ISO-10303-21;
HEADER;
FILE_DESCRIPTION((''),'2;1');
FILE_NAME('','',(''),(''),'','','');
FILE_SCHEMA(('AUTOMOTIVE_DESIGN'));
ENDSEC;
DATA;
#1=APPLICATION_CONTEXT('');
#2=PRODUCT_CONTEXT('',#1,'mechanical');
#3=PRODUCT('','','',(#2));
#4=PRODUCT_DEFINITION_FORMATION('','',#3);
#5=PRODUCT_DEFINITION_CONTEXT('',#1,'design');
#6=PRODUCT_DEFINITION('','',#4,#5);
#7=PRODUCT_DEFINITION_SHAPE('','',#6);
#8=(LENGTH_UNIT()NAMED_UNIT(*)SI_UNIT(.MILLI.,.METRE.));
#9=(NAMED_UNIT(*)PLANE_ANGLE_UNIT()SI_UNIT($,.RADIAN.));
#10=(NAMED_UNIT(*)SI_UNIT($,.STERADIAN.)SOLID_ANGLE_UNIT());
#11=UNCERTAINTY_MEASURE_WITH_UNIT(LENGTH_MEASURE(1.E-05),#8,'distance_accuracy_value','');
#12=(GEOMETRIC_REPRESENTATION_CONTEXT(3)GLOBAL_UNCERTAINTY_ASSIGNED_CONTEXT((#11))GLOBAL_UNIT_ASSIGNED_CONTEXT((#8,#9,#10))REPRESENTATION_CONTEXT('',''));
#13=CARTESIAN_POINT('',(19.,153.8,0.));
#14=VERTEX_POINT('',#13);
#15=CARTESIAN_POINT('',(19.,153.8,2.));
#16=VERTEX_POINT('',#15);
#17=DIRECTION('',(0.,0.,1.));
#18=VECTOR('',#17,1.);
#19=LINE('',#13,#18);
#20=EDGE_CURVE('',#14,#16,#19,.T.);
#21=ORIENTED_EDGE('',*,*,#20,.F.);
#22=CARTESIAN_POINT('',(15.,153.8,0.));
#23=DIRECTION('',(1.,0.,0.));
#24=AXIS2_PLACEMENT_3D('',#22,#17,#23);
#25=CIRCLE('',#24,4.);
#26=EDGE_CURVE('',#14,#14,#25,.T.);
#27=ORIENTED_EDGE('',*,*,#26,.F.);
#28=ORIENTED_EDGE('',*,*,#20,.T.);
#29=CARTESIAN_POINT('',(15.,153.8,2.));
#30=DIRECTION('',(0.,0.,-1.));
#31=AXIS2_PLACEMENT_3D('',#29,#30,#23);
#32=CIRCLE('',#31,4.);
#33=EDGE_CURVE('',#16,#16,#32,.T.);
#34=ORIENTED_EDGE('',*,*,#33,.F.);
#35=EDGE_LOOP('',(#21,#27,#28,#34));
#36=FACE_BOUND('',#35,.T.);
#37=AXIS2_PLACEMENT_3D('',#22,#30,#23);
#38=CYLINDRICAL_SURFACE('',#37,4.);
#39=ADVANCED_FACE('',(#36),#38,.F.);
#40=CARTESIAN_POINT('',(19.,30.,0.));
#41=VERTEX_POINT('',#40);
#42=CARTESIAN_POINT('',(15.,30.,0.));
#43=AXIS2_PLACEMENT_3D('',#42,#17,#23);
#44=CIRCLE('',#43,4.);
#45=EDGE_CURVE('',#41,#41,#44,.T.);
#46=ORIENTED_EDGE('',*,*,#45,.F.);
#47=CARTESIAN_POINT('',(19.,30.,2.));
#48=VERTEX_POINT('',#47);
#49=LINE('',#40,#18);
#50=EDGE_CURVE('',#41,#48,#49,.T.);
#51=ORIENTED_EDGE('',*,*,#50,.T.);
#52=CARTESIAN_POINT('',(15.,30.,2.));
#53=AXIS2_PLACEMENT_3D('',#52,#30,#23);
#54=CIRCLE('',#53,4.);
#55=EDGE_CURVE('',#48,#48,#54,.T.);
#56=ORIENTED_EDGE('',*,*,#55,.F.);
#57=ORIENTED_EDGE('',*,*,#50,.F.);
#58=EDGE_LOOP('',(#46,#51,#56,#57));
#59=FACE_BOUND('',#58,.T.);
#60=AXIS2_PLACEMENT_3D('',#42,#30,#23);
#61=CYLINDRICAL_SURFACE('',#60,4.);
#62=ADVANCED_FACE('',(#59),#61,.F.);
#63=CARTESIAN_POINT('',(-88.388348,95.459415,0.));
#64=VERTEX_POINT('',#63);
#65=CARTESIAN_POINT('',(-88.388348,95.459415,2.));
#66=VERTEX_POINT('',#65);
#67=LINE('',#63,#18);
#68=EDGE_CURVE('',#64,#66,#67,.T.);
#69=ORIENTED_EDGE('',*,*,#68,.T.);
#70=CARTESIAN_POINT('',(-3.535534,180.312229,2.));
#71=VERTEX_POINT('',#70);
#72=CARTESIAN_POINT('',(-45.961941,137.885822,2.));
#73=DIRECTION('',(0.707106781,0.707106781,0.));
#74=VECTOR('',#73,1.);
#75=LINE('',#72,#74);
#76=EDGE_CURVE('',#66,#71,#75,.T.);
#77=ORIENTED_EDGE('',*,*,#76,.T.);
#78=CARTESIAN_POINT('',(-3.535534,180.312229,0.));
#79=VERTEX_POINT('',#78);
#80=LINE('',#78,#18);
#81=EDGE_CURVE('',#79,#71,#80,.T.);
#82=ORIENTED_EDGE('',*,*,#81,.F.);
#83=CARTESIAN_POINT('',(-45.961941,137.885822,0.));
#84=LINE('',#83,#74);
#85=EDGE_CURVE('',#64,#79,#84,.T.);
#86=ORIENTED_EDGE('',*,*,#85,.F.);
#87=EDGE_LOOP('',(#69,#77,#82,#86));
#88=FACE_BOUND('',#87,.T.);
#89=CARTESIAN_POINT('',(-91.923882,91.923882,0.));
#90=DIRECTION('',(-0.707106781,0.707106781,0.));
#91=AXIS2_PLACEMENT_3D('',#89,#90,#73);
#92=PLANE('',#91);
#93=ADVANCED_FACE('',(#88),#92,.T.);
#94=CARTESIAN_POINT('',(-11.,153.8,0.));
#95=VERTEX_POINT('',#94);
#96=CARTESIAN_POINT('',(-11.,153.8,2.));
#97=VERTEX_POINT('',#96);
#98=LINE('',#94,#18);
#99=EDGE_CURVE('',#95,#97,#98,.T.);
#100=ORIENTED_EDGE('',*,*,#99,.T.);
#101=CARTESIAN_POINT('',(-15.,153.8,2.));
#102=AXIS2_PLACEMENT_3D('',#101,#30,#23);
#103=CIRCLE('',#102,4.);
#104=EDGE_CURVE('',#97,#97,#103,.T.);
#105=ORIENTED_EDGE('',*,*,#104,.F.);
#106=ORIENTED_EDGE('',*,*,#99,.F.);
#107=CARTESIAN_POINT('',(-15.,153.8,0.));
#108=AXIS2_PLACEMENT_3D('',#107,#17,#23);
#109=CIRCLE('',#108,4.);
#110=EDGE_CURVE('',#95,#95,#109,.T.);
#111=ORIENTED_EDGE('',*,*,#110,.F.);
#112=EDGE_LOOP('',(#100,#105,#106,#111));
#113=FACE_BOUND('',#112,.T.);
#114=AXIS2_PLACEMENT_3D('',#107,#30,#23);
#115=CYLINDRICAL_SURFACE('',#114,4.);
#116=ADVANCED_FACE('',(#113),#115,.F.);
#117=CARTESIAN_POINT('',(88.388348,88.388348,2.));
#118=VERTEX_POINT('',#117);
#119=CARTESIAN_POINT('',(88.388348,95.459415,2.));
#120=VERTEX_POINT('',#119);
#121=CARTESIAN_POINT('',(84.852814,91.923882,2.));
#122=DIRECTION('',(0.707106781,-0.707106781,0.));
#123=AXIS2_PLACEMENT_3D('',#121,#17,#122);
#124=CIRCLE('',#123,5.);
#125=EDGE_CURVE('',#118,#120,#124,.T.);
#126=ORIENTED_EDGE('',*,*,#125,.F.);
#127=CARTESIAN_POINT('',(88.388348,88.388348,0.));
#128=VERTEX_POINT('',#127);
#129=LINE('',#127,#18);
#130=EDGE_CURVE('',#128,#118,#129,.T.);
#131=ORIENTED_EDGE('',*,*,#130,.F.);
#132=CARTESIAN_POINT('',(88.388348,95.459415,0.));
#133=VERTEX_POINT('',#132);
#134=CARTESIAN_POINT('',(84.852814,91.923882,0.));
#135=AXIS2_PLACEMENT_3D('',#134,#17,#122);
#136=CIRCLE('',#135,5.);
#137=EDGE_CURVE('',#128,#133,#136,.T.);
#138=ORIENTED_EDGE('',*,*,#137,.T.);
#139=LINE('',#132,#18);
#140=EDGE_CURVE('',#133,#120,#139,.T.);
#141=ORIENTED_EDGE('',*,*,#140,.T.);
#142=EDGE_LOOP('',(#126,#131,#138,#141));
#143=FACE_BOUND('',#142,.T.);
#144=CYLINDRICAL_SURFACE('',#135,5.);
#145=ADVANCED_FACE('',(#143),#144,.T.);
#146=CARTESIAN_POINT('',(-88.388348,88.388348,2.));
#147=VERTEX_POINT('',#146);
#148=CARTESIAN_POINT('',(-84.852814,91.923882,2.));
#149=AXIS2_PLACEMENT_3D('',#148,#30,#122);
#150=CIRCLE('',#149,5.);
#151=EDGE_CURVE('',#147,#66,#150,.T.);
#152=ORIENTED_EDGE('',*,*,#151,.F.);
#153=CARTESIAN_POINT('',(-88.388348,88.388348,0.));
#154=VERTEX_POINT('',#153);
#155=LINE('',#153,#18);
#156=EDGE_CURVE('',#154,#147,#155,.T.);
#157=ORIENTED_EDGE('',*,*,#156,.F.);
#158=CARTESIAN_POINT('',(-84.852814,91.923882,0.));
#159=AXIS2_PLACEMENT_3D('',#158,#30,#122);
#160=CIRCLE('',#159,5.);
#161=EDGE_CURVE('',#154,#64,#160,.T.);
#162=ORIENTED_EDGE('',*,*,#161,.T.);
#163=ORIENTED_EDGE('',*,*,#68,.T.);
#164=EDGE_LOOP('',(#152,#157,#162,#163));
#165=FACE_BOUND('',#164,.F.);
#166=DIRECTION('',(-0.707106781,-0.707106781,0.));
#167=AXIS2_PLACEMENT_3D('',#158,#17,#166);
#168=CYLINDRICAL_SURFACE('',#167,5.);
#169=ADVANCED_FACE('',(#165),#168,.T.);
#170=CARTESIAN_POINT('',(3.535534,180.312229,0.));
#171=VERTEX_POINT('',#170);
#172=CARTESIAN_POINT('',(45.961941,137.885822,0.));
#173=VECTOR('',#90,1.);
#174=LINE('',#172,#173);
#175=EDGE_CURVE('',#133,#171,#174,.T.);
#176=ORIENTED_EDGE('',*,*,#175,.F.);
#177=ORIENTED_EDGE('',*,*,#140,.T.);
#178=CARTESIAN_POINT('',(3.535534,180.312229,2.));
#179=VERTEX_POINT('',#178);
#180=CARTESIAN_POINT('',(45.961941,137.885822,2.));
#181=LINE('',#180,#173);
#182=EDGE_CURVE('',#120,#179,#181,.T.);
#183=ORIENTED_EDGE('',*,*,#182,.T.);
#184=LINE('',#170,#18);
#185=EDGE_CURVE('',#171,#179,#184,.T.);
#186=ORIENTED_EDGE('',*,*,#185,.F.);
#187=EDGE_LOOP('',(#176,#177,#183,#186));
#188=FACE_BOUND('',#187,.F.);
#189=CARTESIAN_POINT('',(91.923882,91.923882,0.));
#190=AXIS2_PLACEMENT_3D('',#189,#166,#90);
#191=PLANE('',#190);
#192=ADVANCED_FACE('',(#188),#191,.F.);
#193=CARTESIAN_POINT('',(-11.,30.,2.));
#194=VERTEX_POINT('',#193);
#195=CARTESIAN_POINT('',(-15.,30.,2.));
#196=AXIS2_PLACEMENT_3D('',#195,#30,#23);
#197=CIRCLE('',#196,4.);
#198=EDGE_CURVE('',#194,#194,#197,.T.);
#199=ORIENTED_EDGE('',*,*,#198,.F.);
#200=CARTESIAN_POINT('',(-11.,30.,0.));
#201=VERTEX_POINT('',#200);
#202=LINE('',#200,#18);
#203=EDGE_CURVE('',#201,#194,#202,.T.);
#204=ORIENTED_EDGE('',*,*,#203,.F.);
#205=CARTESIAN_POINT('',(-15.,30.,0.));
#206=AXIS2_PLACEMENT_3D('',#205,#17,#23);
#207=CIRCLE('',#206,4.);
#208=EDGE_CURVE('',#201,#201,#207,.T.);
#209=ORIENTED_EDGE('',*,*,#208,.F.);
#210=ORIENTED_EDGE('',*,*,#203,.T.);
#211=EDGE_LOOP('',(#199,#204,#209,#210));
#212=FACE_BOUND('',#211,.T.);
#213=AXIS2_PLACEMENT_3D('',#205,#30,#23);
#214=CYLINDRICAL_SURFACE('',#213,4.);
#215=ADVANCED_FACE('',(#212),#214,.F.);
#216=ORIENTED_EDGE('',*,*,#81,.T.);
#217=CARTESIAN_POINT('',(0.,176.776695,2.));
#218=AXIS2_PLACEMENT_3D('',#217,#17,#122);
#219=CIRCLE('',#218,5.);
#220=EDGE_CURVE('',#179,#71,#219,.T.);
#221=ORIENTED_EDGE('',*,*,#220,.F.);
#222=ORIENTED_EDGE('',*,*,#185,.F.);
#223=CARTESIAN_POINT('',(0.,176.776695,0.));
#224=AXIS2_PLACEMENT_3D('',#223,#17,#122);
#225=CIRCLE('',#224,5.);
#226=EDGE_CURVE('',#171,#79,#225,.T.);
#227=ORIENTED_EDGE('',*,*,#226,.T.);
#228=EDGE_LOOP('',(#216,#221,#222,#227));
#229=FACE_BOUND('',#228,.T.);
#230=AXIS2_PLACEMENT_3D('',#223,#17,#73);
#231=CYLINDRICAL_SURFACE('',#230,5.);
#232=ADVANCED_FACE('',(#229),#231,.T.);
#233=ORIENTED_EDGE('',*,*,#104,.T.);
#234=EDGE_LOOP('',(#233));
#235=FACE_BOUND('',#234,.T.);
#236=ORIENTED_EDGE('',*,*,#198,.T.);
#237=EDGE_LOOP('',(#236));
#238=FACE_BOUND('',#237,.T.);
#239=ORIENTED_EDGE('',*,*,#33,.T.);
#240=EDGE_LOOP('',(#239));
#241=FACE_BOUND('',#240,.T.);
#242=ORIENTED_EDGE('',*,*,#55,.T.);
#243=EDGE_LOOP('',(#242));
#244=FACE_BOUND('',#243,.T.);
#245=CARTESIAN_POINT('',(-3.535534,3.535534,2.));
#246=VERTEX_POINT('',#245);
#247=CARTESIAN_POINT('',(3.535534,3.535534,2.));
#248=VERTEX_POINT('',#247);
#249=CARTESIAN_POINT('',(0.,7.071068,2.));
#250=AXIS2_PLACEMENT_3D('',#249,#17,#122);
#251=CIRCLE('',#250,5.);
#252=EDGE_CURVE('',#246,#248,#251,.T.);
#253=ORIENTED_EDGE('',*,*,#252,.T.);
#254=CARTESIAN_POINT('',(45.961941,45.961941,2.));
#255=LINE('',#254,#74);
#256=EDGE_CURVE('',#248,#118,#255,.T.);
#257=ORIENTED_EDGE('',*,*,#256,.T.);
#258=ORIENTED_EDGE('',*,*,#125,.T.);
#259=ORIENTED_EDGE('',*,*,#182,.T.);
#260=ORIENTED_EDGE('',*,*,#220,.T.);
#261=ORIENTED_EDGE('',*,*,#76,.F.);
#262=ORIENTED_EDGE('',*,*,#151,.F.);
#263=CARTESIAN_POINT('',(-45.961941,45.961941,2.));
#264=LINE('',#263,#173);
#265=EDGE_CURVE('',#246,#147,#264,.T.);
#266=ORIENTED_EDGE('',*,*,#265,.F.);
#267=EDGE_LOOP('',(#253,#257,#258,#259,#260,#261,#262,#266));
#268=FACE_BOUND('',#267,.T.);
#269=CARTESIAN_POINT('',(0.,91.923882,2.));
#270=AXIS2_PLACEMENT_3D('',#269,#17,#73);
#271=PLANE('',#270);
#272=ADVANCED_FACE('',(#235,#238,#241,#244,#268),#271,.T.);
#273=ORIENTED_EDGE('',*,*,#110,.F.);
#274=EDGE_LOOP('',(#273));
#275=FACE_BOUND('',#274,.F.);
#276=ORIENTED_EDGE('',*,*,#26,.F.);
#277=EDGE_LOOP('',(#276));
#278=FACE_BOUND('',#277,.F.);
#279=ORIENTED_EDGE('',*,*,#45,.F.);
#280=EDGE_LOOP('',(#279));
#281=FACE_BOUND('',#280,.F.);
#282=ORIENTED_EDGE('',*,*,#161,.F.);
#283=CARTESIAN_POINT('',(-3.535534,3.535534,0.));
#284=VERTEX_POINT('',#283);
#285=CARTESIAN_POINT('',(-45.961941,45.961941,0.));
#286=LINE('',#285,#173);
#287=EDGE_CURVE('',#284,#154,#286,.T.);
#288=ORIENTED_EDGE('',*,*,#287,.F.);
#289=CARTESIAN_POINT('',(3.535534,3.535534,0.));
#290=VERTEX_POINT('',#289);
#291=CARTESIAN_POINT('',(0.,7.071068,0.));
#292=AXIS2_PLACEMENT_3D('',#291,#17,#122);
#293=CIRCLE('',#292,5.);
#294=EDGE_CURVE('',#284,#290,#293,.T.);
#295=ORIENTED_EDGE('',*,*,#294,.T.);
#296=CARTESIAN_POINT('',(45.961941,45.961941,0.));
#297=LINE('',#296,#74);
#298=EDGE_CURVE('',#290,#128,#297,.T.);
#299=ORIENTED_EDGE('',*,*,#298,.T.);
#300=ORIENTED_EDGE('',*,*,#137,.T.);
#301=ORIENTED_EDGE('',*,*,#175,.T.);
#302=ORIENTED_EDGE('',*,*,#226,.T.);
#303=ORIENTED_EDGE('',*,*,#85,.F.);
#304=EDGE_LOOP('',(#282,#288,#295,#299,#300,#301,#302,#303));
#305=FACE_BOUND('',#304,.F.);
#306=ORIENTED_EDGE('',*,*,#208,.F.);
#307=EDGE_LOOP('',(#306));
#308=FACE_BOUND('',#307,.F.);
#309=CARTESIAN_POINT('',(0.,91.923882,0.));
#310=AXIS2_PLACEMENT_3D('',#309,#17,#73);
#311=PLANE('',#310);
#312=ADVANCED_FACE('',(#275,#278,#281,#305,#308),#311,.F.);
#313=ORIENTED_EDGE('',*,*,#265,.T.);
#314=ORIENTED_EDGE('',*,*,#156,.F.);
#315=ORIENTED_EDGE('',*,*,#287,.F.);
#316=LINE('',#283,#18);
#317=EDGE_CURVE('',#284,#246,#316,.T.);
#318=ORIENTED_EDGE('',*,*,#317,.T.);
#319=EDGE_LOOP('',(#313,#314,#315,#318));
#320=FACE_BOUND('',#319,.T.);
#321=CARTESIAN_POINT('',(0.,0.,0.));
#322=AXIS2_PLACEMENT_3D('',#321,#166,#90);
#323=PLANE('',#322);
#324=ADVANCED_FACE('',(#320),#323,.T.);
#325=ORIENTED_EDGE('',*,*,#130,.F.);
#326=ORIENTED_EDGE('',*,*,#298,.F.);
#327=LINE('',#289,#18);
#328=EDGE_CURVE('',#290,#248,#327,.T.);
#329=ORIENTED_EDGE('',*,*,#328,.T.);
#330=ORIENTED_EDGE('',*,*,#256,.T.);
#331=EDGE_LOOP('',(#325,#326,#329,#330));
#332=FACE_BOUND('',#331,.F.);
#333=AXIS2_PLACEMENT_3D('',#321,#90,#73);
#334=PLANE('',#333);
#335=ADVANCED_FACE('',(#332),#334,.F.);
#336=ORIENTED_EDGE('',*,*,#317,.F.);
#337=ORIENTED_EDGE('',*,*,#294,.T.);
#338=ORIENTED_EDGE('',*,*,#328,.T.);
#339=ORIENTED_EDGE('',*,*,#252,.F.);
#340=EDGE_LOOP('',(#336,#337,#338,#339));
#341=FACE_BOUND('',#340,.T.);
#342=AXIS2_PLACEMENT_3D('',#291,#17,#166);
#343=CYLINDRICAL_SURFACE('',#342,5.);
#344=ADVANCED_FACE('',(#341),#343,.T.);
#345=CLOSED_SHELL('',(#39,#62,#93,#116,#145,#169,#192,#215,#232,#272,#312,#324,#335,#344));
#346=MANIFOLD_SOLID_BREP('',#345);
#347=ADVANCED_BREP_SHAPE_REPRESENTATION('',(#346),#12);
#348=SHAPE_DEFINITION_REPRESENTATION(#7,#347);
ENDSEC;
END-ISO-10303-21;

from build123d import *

# Parameters (mm, degrees)
CYLINDER_R             = 4
CYLINDER_DEPTH         = 10
CYLINDER001_R          = 4
CYLINDER001_DEPTH      = 10
CYLINDER002_R          = 4
CYLINDER002_DEPTH      = 10
CYLINDER003_R          = 4
CYLINDER003_DEPTH      = 10
BOX_W                  = 130
BOX_H                  = 130
BOX_DEPTH              = 2
FILLET_R               = 5
FILLET_PLACEMENT_ANGLE = 45


with BuildPart() as cylinder:
    # Cylinder → Cylinder (new body)
    with BuildSketch(Plane(origin=(15, 30, 0), x_dir=(1, 0, 0), z_dir=(0, 0, 1))):
        Circle(CYLINDER_R)
    extrude(amount=CYLINDER_DEPTH)


with BuildPart() as cylinder001:
    # Cylinder001 → Cylinder001 (new body)
    with BuildSketch(Plane(origin=(-15, 30, 0), x_dir=(1, 0, 0), z_dir=(0, 0, 1))):
        Circle(CYLINDER001_R)
    extrude(amount=CYLINDER001_DEPTH)


with BuildPart() as cylinder002:
    # Cylinder002 → Cylinder002 (new body)
    with BuildSketch(Plane(origin=(-15, 153.8, 0), x_dir=(1, 0, 0), z_dir=(0, 0, 1))):
        Circle(CYLINDER002_R)
    extrude(amount=CYLINDER002_DEPTH)


with BuildPart() as fusion:
    # Cylinder003 → Cylinder003 (new body)
    with BuildSketch(Plane(origin=(15, 153.8, 0), x_dir=(1, 0, 0), z_dir=(0, 0, 1))):
        Circle(CYLINDER003_R)
    extrude(amount=CYLINDER003_DEPTH)

    # Fusion: union Cylinder, Cylinder001, Cylinder002
    add(cylinder.part)
    add(cylinder001.part)
    add(cylinder002.part)


with BuildPart() as cut:
    # Box → Box (new body)
    with BuildSketch(Plane.XY):
        with Locations((65, 65)):
            Rectangle(BOX_W, BOX_H)
    extrude(amount=BOX_DEPTH)

    # Fillet
    fillet_edges = [cut.edges().sort_by_distance(p)[0] for p in [
        (0, 0, 1),
        (0, 130, 1),
        (130, 0, 1),
        (130, 130, 1),
    ]]
    fillet(fillet_edges, radius=FILLET_R)


with BuildPart() as cut_1:
    # Fillet placement: moved
    add(cut.part.rotate(Axis((0, 0, 0), (0, 0, 1)), FILLET_PLACEMENT_ANGLE))

    # Cut: cut Fusion
    add(fusion.part, mode=Mode.SUBTRACT)


solid = cut_1.part
